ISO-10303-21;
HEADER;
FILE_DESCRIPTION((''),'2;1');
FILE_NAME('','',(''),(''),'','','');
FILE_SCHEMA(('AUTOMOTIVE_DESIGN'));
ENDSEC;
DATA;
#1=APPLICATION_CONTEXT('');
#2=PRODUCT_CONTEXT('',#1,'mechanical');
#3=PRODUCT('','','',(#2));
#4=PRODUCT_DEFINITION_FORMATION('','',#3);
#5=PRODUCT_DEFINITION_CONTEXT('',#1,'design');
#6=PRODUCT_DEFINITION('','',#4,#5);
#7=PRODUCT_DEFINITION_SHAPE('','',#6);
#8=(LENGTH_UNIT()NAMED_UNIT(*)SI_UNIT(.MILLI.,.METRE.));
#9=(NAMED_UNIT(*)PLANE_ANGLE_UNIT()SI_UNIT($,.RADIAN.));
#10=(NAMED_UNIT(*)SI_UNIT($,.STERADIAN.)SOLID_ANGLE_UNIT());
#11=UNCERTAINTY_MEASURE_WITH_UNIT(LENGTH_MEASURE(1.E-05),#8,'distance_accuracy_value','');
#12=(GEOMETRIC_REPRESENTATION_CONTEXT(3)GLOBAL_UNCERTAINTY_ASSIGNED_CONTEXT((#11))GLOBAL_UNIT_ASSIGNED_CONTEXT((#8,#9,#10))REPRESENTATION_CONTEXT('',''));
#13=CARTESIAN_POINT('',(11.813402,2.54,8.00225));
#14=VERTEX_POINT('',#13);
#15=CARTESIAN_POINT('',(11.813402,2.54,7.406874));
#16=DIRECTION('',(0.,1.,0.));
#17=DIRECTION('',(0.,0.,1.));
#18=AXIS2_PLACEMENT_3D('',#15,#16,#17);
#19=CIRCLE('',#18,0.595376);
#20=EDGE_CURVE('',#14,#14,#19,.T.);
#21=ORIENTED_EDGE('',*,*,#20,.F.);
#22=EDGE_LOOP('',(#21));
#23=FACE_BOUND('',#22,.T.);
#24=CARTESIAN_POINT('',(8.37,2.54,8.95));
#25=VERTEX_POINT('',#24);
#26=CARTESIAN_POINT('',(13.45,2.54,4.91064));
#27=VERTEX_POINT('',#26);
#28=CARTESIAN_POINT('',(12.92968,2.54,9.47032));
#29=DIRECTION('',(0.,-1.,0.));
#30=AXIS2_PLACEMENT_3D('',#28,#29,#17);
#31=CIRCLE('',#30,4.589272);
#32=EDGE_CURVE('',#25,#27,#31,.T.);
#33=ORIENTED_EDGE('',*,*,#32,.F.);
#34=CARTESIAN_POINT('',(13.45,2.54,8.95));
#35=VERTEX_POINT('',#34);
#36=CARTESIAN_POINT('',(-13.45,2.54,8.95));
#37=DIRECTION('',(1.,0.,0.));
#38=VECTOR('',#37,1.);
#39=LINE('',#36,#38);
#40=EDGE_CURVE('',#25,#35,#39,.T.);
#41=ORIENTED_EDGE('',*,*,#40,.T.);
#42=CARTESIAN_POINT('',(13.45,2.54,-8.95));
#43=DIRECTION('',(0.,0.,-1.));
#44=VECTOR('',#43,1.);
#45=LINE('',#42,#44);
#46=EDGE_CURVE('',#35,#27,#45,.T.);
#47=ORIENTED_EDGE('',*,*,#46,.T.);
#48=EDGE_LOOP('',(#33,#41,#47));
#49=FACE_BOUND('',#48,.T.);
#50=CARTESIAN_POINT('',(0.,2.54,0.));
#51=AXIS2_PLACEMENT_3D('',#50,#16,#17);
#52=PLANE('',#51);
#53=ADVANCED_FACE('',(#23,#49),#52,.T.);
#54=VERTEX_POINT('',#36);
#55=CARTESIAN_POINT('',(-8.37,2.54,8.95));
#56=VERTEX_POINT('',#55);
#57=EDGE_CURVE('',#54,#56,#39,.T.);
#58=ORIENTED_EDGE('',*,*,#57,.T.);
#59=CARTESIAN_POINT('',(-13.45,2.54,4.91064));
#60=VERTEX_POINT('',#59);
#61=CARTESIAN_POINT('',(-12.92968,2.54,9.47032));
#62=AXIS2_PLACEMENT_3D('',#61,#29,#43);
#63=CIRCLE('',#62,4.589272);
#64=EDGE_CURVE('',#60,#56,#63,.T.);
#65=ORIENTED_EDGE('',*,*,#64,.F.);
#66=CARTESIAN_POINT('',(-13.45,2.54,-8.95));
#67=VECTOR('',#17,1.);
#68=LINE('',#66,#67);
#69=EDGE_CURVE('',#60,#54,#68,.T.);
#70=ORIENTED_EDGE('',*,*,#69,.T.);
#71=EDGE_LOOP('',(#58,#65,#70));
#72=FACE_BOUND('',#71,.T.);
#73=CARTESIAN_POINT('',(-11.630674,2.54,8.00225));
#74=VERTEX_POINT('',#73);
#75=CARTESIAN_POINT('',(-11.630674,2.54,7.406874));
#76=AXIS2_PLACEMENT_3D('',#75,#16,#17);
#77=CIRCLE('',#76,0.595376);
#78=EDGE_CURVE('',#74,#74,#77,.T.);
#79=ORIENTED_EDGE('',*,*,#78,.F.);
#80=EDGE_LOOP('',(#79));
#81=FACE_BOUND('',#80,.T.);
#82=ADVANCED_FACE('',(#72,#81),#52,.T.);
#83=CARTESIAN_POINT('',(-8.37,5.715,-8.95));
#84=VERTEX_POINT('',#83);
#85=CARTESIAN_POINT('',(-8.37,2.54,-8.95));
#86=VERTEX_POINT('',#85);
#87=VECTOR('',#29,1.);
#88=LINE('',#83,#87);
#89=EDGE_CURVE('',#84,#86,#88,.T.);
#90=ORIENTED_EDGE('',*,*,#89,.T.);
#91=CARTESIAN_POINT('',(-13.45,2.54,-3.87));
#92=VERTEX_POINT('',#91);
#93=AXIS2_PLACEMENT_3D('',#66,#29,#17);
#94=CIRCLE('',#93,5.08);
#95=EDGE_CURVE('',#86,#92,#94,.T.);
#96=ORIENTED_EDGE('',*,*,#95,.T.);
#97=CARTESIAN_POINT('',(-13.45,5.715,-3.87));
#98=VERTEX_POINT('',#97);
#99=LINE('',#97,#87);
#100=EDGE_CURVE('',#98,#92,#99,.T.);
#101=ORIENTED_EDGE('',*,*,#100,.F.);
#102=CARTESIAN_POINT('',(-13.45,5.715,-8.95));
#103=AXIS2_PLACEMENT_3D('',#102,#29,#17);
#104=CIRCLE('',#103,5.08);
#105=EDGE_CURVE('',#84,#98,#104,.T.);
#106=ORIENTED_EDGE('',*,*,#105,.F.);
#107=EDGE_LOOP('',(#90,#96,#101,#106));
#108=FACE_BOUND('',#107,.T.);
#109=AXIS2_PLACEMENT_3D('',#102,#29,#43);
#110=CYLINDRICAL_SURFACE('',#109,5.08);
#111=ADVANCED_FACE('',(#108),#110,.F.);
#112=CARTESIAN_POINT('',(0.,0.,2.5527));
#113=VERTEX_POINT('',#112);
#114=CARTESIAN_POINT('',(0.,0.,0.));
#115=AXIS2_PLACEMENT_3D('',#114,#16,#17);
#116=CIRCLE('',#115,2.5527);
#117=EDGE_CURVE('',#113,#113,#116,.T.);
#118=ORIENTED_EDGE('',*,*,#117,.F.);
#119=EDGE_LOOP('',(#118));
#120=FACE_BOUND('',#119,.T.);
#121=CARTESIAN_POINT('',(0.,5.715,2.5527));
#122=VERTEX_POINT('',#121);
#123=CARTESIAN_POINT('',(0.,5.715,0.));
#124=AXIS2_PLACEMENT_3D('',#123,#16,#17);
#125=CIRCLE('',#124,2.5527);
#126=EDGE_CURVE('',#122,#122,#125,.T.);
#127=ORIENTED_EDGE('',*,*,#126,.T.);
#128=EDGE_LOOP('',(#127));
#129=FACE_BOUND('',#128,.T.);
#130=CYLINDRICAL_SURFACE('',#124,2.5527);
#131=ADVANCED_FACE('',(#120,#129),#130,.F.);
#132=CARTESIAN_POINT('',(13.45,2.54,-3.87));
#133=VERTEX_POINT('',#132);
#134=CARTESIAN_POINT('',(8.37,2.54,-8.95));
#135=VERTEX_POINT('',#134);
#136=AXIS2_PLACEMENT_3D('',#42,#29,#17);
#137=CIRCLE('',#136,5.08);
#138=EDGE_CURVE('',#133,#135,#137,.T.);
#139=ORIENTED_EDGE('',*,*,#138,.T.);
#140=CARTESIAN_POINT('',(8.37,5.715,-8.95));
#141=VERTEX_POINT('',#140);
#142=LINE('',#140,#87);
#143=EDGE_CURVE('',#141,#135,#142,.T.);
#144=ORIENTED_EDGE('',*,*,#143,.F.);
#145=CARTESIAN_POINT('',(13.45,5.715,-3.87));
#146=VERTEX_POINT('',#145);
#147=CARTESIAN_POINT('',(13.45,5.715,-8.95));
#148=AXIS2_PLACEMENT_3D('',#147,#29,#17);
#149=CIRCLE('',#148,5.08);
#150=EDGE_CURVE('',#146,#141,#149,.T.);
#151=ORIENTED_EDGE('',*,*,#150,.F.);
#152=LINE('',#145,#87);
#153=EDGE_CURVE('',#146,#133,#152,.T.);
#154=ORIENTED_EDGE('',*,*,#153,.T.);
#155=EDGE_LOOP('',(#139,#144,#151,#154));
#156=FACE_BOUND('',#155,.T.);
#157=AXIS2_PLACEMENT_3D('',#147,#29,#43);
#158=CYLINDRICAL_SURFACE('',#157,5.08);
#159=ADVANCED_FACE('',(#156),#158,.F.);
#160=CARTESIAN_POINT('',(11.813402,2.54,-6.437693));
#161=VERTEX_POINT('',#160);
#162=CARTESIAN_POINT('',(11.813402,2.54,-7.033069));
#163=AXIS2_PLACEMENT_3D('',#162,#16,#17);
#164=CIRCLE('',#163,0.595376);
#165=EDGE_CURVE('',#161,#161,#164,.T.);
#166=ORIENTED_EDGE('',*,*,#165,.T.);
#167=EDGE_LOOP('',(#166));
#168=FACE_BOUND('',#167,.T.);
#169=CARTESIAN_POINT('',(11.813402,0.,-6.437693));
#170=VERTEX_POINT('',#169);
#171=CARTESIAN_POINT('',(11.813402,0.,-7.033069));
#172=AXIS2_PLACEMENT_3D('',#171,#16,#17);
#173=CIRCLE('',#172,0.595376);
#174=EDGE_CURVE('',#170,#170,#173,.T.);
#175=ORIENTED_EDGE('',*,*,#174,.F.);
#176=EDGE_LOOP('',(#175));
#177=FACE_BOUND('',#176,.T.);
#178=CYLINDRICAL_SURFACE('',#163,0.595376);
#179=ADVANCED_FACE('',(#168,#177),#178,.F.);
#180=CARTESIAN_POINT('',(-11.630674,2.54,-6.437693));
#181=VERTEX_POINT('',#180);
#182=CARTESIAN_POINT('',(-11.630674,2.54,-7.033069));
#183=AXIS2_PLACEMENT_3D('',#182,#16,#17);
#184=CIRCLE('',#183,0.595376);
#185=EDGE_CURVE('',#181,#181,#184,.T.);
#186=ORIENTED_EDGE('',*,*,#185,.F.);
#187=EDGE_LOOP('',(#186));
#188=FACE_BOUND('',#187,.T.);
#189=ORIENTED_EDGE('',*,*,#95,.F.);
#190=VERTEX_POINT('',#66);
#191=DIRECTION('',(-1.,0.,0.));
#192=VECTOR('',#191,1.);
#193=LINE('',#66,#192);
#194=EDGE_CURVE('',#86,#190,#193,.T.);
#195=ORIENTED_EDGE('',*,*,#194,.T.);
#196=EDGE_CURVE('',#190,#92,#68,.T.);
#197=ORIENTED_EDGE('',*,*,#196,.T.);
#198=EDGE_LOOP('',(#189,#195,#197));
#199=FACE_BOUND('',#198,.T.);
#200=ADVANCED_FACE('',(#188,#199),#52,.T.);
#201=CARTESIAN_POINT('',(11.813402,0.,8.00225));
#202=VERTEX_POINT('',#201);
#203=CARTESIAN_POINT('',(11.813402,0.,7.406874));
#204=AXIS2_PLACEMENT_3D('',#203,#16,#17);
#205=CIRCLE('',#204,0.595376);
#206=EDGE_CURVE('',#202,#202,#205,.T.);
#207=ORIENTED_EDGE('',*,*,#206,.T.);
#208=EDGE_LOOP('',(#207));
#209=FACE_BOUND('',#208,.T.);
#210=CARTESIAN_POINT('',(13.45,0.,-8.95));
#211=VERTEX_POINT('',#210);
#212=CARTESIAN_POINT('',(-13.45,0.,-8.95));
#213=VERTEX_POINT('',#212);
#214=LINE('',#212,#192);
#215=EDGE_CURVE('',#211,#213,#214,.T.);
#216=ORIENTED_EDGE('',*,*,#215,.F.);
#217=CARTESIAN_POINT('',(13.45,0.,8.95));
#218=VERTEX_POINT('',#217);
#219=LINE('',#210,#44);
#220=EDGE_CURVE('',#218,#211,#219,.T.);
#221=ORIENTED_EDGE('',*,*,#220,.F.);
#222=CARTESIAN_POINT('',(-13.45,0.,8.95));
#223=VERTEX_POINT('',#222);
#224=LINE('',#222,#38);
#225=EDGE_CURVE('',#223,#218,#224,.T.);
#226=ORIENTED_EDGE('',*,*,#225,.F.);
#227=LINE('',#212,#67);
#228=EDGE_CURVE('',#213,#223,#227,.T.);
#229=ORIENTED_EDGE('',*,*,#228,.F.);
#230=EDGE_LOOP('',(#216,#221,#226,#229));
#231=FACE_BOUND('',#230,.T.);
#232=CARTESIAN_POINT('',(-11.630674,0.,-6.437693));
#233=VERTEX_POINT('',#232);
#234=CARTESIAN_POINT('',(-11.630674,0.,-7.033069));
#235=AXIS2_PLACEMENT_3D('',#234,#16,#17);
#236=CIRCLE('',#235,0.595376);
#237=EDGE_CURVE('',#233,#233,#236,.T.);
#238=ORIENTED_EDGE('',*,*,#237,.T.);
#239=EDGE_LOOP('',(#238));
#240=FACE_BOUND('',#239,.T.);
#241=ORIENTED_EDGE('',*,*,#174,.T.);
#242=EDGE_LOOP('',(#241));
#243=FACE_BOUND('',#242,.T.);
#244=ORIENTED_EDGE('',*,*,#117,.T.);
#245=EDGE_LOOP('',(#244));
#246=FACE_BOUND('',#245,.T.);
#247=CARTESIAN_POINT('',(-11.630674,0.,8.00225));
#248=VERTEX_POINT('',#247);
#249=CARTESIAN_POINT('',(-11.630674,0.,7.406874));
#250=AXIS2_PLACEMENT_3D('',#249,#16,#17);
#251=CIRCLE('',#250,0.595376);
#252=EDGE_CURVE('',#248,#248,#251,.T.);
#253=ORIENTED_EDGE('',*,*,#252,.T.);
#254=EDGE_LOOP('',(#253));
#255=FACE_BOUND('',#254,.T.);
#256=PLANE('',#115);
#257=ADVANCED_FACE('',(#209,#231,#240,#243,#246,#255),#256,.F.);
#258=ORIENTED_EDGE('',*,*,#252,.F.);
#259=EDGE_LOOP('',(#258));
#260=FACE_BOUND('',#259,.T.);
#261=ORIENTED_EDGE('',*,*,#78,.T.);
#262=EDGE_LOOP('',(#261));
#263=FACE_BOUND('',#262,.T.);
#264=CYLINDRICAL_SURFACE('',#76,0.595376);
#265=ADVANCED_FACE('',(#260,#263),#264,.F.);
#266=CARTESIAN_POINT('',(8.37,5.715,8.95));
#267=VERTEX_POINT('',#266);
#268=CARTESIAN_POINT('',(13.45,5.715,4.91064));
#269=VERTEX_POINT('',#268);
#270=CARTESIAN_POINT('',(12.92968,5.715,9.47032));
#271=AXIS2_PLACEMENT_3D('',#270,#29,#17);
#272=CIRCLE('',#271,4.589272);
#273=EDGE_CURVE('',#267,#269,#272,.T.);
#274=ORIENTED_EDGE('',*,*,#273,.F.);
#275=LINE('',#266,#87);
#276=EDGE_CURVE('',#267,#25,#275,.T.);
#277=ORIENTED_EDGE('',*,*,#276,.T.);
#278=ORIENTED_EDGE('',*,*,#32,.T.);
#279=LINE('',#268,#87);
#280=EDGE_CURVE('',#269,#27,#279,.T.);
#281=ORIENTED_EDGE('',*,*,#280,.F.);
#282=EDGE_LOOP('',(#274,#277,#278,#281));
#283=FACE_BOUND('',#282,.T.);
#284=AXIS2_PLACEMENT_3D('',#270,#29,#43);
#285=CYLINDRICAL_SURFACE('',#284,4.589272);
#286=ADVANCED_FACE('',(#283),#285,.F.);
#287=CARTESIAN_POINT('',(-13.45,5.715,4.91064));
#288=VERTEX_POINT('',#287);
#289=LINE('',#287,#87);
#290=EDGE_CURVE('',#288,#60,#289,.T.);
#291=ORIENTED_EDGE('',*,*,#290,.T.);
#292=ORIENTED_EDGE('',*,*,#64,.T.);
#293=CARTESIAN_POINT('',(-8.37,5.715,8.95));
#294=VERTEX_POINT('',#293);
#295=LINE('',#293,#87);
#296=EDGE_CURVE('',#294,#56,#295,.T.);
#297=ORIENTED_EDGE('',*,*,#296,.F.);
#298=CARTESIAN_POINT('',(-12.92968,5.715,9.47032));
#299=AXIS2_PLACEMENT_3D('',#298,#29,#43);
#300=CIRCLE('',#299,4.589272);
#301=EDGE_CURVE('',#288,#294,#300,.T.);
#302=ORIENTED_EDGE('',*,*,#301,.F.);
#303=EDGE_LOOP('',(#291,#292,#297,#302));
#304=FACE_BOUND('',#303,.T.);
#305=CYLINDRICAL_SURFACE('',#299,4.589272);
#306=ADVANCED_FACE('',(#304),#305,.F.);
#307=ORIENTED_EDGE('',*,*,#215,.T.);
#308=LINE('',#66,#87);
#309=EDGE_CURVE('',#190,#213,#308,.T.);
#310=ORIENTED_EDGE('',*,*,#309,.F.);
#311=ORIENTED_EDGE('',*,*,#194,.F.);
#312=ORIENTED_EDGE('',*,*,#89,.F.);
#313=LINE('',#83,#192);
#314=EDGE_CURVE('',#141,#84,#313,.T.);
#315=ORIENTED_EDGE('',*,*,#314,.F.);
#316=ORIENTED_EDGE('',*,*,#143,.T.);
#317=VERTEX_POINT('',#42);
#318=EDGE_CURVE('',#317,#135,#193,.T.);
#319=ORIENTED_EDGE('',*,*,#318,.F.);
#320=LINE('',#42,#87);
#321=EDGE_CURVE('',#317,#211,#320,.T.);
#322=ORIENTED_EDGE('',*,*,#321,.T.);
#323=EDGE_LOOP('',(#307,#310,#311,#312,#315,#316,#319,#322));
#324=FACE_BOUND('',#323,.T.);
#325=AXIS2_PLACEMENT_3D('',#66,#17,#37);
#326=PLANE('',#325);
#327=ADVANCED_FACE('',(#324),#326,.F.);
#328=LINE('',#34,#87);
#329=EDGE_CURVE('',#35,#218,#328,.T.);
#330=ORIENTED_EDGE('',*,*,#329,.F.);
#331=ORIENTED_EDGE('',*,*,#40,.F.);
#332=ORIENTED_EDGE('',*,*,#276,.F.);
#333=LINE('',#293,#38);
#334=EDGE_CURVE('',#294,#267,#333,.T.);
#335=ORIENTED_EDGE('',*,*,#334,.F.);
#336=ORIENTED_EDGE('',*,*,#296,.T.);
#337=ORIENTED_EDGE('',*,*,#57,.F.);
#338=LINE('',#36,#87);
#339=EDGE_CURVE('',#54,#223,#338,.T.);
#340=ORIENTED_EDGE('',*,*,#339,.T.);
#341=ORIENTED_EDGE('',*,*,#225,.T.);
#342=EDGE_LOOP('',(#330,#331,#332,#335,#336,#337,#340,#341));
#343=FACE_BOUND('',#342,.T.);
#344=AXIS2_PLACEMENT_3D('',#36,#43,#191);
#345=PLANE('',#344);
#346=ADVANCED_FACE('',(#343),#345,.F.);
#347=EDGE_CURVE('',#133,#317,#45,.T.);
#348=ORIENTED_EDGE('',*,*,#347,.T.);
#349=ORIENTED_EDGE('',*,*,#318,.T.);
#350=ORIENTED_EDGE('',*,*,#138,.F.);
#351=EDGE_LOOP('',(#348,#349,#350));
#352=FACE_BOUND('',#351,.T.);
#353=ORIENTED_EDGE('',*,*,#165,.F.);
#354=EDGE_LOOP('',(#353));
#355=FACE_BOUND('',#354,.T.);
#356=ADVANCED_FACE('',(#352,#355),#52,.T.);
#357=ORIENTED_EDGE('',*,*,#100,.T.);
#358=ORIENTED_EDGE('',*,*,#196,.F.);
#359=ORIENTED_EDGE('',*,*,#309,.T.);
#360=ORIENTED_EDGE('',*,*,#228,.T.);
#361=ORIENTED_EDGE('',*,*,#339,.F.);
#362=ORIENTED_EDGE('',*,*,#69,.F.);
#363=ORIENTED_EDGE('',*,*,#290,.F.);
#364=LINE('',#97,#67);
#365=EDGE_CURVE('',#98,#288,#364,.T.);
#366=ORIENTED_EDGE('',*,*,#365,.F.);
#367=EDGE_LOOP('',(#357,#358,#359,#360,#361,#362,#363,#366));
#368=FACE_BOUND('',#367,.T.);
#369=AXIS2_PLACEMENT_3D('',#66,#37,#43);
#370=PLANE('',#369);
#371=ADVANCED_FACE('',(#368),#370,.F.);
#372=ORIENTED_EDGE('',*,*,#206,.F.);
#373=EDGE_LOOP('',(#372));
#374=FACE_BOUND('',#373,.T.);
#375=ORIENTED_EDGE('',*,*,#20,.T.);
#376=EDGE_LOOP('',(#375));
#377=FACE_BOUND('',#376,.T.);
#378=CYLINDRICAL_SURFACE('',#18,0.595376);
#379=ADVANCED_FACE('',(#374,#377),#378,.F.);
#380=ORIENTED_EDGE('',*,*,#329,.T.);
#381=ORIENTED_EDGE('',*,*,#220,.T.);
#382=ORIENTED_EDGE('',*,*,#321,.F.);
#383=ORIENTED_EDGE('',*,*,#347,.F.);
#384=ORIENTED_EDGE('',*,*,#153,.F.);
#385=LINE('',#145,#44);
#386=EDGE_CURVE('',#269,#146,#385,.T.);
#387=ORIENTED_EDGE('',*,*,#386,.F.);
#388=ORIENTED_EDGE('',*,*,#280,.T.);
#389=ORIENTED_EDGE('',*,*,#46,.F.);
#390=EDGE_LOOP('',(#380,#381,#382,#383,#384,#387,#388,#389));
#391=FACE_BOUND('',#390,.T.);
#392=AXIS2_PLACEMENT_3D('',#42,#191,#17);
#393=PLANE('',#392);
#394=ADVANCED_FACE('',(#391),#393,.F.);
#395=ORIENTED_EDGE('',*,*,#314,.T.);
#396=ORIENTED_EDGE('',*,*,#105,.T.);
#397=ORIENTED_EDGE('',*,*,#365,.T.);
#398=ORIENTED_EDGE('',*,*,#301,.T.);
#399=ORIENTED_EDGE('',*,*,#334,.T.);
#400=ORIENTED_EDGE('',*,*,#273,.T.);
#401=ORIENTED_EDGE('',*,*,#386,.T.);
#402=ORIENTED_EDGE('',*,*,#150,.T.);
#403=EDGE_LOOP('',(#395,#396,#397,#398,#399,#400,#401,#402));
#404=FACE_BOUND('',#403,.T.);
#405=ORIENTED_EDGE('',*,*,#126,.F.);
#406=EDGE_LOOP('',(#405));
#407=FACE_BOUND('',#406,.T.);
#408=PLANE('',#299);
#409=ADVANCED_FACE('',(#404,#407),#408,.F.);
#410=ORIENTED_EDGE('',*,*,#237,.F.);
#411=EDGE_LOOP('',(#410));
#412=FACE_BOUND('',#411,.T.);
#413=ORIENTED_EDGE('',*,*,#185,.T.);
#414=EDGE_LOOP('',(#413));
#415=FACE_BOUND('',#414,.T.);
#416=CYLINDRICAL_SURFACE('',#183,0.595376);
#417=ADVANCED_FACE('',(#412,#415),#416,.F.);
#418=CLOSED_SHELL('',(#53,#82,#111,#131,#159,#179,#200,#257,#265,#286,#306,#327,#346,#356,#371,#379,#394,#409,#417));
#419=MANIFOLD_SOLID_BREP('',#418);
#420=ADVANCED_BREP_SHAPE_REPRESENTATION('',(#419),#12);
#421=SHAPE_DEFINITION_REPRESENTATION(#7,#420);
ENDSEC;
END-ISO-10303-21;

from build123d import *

# Parameters (mm, degrees)
SKETCH1_W                           = 26.9
SKETCH1_H                           = 17.9
BOSS_EXTRUDE1_DEPTH                 = 2.54
BOSS_EXTRUDE2_DEPTH                 = 3.175
F_1_4_20_TAPPED_HOLE1_D             = 5.1054
F_1_4_20_TAPPED_HOLE1_DEPTH         = 5.715
F_3_64_0_04688_DIAMETER_HOLE1_D     = 1.190752
F_3_64_0_04688_DIAMETER_HOLE1_DEPTH = 2.54


with BuildPart() as part:
    # Sketch1 → Boss-Extrude1 (new body)
    with BuildSketch(Plane(origin=(0, 0, 0), x_dir=(1, 0, 0), z_dir=(0, 1, 0))):
        Rectangle(SKETCH1_W, SKETCH1_H)
    extrude(amount=BOSS_EXTRUDE1_DEPTH)

    # Sketch2 → Boss-Extrude2 (add)
    with BuildSketch(Plane(origin=(0, 2.54, 0), x_dir=(1, 0, 0), z_dir=(0, 1, 0))):
        with BuildLine():
            Line((-8.37, -8.95), (8.37, -8.95))
            ThreePointArc((8.37, -8.95), (10.073421181, -5.878217622), (13.45, -4.910640141))
            Line((13.45, -4.910640141), (13.45, 3.87))
            ThreePointArc((13.45, 3.87), (9.857897552, 5.357897552), (8.37, 8.95))
            Line((8.37, 8.95), (-8.37, 8.95))
            ThreePointArc((-8.37, 8.95), (-9.857897552, 5.357897552), (-13.45, 3.87))
            Line((-13.45, 3.87), (-13.45, -4.910640141))
            ThreePointArc((-13.45, -4.910640141), (-10.073421181, -5.878217622), (-8.37, -8.95))
        make_face()
    extrude(amount=BOSS_EXTRUDE2_DEPTH)

    # 1/4-20 Tapped Hole1
    with Locations(Plane(origin=(0, 5.715, 0), x_dir=(1, 0, 0), z_dir=(0, 1, 0))):
        with Locations((0, 0)):
            Hole(F_1_4_20_TAPPED_HOLE1_D / 2, depth=F_1_4_20_TAPPED_HOLE1_DEPTH)

    # 3/64 (0.04688) Diameter Hole1
    with Locations(Plane(origin=(0, 2.54, 0), x_dir=(1, 0, 0), z_dir=(0, 1, 0))):
        with Locations((-11.630674377, 7.033069438), (-11.630674377, -7.406874263), (11.813402436, -7.406874263), (11.813402436, 7.033069438)):
            Hole(F_3_64_0_04688_DIAMETER_HOLE1_D / 2, depth=F_3_64_0_04688_DIAMETER_HOLE1_DEPTH)


solid = part.part
